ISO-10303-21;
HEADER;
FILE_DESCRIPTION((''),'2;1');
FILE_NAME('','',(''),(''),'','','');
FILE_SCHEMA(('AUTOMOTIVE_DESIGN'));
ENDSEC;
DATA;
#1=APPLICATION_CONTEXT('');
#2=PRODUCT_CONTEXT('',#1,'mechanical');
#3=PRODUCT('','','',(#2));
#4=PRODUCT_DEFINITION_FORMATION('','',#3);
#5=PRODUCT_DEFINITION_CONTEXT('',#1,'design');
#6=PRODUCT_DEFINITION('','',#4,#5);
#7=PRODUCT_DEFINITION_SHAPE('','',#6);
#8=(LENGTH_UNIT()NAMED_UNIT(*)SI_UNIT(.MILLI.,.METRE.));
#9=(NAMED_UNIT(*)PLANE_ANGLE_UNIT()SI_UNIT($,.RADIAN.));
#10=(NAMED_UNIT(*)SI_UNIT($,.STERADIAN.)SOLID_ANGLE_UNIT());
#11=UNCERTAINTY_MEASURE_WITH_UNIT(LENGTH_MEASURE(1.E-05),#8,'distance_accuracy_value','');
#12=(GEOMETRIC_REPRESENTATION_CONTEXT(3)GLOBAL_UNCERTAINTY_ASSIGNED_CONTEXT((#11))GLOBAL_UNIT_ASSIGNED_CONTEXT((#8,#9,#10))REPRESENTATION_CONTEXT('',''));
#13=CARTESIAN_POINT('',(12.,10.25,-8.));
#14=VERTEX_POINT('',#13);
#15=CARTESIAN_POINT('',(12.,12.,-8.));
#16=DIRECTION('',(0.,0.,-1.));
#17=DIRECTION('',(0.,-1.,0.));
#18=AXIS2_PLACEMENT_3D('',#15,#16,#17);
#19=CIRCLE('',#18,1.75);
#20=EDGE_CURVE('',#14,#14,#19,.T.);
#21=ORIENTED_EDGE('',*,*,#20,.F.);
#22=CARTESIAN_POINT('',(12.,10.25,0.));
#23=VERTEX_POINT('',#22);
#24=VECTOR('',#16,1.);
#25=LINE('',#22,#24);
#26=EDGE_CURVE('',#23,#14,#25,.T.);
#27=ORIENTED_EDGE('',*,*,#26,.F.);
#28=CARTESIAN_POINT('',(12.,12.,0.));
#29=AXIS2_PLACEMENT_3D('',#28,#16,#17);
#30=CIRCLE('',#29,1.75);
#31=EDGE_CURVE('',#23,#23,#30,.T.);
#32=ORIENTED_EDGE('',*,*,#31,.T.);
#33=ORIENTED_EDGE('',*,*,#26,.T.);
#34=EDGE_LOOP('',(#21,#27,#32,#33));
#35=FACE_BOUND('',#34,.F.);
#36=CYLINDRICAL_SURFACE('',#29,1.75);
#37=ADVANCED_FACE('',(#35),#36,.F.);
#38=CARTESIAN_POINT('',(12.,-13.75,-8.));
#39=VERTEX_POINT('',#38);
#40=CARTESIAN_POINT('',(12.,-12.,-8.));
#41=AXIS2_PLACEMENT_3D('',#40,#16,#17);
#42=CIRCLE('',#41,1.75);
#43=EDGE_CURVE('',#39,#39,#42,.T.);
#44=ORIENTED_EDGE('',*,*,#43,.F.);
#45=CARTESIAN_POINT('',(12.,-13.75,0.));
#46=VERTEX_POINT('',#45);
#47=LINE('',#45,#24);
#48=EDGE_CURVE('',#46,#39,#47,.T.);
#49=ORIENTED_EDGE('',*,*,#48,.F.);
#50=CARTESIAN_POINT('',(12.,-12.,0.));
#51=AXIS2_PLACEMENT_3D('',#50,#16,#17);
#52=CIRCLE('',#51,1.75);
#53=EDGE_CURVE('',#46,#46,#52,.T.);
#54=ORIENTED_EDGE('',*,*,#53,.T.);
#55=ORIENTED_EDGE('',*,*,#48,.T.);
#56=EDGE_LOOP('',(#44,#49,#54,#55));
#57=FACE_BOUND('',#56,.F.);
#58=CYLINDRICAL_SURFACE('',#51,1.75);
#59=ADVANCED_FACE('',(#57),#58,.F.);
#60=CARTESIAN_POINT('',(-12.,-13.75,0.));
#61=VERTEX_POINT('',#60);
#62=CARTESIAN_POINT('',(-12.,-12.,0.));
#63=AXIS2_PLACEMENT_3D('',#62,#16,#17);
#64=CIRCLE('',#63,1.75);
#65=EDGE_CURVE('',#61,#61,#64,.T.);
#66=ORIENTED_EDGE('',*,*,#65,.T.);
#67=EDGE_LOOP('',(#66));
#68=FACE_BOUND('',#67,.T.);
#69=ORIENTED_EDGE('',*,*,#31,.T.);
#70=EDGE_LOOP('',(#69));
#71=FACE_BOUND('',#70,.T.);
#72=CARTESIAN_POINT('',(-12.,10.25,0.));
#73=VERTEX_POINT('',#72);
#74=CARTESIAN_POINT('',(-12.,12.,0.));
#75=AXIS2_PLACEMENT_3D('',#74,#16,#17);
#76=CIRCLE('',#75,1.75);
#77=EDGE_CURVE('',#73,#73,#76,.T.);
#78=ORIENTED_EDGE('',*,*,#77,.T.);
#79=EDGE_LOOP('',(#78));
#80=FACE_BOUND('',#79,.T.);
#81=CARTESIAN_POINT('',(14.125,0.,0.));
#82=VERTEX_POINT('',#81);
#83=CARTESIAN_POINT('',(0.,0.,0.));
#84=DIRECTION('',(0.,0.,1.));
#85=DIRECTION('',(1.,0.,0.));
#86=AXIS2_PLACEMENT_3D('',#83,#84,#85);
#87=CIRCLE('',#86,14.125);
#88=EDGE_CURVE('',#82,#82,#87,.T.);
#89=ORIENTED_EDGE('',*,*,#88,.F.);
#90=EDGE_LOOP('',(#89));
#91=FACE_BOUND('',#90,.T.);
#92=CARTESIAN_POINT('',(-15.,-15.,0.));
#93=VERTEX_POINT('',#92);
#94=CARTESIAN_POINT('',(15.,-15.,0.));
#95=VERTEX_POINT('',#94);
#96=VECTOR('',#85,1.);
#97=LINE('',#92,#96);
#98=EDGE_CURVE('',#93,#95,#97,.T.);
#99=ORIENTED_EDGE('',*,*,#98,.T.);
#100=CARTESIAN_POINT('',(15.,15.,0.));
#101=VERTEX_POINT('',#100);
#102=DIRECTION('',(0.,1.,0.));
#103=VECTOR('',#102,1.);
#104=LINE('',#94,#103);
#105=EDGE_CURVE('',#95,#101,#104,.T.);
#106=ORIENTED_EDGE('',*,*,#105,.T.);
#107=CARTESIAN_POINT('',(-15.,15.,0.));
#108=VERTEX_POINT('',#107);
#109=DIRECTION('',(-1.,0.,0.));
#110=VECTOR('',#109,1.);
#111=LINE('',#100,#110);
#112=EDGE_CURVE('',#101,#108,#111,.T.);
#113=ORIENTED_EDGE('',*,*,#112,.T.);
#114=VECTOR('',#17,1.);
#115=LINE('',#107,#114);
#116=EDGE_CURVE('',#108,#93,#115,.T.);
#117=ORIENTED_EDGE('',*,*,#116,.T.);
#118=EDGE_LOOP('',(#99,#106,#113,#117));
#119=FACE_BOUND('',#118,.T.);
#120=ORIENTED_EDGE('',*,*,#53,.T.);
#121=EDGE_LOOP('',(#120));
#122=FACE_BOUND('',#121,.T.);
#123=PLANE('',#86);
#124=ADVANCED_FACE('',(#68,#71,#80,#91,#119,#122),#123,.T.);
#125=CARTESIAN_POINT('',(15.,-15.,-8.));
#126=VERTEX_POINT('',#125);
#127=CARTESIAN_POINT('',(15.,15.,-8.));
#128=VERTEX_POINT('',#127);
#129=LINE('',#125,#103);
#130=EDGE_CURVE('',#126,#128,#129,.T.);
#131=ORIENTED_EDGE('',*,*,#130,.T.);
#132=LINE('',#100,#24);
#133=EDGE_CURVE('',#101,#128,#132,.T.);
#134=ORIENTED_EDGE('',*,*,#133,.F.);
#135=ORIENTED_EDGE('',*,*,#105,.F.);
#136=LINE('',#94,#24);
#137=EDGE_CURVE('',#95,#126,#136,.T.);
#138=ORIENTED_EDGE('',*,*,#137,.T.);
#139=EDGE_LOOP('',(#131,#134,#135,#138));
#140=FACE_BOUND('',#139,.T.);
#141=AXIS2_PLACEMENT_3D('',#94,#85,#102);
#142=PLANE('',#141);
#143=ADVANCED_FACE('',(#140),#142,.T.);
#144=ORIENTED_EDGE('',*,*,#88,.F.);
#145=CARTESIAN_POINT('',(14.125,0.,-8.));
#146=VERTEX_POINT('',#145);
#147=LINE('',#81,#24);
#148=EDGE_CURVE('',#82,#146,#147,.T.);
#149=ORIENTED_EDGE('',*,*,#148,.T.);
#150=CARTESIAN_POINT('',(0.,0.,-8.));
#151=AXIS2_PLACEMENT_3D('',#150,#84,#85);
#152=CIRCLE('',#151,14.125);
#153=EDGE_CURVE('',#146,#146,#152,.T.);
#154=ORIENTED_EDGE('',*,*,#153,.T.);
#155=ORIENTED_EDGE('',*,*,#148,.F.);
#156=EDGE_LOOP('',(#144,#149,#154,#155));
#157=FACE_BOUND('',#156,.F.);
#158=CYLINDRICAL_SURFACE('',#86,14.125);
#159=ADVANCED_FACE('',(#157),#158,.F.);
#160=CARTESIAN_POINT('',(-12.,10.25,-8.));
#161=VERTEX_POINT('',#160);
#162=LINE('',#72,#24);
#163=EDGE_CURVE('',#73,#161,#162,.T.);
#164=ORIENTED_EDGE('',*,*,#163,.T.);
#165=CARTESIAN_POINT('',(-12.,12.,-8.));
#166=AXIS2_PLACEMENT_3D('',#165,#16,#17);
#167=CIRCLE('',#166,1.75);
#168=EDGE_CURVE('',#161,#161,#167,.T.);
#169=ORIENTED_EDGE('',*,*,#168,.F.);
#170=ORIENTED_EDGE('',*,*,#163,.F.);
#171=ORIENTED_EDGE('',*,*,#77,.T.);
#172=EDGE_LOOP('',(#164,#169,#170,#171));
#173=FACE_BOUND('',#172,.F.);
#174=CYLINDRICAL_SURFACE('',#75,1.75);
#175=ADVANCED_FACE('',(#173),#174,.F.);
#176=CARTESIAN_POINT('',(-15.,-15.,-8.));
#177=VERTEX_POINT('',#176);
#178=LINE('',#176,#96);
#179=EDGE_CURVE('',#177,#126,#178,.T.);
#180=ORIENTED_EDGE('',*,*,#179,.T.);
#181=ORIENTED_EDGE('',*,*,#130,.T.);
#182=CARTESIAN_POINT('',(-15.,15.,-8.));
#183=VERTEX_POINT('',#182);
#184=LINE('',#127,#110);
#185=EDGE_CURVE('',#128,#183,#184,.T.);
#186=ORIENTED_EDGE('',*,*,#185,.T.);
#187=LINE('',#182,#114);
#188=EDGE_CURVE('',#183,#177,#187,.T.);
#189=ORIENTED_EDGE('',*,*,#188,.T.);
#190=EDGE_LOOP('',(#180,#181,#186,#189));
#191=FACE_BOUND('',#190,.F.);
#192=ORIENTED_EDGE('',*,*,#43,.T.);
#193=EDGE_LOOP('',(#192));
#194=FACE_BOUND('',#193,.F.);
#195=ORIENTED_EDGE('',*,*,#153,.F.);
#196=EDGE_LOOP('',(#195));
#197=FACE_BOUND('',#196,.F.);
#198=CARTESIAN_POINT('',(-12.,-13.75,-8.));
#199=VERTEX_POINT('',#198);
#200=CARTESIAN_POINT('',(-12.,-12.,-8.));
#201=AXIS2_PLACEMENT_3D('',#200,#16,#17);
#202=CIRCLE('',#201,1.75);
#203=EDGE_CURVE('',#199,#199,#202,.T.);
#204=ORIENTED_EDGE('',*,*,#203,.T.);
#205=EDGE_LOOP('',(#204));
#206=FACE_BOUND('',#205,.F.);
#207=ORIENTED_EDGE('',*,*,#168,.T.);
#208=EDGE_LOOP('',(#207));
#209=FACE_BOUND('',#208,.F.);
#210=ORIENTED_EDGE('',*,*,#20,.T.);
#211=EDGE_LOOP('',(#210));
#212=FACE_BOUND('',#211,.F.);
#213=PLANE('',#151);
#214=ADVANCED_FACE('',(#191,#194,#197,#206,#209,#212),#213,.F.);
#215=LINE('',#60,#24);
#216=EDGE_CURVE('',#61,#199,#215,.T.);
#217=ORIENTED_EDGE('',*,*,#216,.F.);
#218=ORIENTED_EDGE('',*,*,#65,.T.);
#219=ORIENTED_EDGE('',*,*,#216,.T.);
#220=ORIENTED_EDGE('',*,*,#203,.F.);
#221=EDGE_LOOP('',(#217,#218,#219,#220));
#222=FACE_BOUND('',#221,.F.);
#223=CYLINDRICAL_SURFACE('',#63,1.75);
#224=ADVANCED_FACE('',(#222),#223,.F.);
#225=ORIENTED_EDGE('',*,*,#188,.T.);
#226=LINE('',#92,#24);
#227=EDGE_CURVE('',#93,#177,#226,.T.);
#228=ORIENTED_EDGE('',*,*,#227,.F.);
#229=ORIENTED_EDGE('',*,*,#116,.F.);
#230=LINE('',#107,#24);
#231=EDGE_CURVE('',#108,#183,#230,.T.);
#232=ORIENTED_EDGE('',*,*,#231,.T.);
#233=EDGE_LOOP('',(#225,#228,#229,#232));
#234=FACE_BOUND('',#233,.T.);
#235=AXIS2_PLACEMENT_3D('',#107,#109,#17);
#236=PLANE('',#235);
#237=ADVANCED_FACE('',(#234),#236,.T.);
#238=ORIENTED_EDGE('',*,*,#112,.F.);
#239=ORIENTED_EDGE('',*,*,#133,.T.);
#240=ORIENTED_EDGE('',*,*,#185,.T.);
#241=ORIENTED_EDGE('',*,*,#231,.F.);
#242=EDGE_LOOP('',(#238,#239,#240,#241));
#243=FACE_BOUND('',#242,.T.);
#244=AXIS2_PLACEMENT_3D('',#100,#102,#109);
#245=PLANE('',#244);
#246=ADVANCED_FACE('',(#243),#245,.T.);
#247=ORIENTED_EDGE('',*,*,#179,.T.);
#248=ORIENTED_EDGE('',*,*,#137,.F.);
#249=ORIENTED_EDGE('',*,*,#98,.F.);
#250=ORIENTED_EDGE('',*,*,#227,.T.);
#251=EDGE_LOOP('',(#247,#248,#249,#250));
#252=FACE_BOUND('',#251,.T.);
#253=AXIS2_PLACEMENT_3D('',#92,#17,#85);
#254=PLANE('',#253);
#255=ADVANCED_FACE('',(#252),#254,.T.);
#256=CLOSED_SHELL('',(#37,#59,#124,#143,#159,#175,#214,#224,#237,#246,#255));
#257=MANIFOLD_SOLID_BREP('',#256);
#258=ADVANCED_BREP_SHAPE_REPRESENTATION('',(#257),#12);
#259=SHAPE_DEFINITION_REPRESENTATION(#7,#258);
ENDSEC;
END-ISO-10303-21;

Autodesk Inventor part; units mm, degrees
ref_plane "YZ Plane" through (0, 0, 0) normal (1, 0, 0) x (0, 1, 0)
ref_plane "XZ Plane" through (0, 0, 0) normal (0, 1, 0) x (-1, 0, 0)
ref_plane "XY Plane" through (0, 0, 0) normal (0, 0, 1) x (1, 0, 0)
sketch "Sketch1" plane through (0, 0, 0) normal (0, 0, 1) x (1, 0, 0)
  line L0 (-15, -15) -> (15, -15)
  line L1 (15, -15) -> (15, 15)
  line L2 (15, 15) -> (-15, 15)
  line L3 (-15, 15) -> (-15, -15)
  line L4 (-15, -15) -> (15, 15) construction
  line L5 (15, -15) -> (-15, 15) construction
  circle A0 centre (0, 0) radius 14.125
  line L6 (-12, -12) -> (12, -12) construction
  line L7 (12, -12) -> (12, 12) construction
  line L8 (12, 12) -> (-12, 12) construction
  line L9 (-12, 12) -> (-12, -12) construction
  line L10 (-12, -12) -> (12, 12) construction
  line L11 (12, -12) -> (-12, 12) construction
  dimension "d0" = 30
  dimension "d1" = 28.25
  dimension "d2" = 24
extrude "Extrusion1" add sketch "Sketch1" against normal blind 8
hole "Hole1" at (-12, 12, 0) at (12, 12, 0) at (12, -12, 0) at (-12, -12, 0) direction (0, 0, -1) diameter 3.5 end through all
properties part number "fan"
